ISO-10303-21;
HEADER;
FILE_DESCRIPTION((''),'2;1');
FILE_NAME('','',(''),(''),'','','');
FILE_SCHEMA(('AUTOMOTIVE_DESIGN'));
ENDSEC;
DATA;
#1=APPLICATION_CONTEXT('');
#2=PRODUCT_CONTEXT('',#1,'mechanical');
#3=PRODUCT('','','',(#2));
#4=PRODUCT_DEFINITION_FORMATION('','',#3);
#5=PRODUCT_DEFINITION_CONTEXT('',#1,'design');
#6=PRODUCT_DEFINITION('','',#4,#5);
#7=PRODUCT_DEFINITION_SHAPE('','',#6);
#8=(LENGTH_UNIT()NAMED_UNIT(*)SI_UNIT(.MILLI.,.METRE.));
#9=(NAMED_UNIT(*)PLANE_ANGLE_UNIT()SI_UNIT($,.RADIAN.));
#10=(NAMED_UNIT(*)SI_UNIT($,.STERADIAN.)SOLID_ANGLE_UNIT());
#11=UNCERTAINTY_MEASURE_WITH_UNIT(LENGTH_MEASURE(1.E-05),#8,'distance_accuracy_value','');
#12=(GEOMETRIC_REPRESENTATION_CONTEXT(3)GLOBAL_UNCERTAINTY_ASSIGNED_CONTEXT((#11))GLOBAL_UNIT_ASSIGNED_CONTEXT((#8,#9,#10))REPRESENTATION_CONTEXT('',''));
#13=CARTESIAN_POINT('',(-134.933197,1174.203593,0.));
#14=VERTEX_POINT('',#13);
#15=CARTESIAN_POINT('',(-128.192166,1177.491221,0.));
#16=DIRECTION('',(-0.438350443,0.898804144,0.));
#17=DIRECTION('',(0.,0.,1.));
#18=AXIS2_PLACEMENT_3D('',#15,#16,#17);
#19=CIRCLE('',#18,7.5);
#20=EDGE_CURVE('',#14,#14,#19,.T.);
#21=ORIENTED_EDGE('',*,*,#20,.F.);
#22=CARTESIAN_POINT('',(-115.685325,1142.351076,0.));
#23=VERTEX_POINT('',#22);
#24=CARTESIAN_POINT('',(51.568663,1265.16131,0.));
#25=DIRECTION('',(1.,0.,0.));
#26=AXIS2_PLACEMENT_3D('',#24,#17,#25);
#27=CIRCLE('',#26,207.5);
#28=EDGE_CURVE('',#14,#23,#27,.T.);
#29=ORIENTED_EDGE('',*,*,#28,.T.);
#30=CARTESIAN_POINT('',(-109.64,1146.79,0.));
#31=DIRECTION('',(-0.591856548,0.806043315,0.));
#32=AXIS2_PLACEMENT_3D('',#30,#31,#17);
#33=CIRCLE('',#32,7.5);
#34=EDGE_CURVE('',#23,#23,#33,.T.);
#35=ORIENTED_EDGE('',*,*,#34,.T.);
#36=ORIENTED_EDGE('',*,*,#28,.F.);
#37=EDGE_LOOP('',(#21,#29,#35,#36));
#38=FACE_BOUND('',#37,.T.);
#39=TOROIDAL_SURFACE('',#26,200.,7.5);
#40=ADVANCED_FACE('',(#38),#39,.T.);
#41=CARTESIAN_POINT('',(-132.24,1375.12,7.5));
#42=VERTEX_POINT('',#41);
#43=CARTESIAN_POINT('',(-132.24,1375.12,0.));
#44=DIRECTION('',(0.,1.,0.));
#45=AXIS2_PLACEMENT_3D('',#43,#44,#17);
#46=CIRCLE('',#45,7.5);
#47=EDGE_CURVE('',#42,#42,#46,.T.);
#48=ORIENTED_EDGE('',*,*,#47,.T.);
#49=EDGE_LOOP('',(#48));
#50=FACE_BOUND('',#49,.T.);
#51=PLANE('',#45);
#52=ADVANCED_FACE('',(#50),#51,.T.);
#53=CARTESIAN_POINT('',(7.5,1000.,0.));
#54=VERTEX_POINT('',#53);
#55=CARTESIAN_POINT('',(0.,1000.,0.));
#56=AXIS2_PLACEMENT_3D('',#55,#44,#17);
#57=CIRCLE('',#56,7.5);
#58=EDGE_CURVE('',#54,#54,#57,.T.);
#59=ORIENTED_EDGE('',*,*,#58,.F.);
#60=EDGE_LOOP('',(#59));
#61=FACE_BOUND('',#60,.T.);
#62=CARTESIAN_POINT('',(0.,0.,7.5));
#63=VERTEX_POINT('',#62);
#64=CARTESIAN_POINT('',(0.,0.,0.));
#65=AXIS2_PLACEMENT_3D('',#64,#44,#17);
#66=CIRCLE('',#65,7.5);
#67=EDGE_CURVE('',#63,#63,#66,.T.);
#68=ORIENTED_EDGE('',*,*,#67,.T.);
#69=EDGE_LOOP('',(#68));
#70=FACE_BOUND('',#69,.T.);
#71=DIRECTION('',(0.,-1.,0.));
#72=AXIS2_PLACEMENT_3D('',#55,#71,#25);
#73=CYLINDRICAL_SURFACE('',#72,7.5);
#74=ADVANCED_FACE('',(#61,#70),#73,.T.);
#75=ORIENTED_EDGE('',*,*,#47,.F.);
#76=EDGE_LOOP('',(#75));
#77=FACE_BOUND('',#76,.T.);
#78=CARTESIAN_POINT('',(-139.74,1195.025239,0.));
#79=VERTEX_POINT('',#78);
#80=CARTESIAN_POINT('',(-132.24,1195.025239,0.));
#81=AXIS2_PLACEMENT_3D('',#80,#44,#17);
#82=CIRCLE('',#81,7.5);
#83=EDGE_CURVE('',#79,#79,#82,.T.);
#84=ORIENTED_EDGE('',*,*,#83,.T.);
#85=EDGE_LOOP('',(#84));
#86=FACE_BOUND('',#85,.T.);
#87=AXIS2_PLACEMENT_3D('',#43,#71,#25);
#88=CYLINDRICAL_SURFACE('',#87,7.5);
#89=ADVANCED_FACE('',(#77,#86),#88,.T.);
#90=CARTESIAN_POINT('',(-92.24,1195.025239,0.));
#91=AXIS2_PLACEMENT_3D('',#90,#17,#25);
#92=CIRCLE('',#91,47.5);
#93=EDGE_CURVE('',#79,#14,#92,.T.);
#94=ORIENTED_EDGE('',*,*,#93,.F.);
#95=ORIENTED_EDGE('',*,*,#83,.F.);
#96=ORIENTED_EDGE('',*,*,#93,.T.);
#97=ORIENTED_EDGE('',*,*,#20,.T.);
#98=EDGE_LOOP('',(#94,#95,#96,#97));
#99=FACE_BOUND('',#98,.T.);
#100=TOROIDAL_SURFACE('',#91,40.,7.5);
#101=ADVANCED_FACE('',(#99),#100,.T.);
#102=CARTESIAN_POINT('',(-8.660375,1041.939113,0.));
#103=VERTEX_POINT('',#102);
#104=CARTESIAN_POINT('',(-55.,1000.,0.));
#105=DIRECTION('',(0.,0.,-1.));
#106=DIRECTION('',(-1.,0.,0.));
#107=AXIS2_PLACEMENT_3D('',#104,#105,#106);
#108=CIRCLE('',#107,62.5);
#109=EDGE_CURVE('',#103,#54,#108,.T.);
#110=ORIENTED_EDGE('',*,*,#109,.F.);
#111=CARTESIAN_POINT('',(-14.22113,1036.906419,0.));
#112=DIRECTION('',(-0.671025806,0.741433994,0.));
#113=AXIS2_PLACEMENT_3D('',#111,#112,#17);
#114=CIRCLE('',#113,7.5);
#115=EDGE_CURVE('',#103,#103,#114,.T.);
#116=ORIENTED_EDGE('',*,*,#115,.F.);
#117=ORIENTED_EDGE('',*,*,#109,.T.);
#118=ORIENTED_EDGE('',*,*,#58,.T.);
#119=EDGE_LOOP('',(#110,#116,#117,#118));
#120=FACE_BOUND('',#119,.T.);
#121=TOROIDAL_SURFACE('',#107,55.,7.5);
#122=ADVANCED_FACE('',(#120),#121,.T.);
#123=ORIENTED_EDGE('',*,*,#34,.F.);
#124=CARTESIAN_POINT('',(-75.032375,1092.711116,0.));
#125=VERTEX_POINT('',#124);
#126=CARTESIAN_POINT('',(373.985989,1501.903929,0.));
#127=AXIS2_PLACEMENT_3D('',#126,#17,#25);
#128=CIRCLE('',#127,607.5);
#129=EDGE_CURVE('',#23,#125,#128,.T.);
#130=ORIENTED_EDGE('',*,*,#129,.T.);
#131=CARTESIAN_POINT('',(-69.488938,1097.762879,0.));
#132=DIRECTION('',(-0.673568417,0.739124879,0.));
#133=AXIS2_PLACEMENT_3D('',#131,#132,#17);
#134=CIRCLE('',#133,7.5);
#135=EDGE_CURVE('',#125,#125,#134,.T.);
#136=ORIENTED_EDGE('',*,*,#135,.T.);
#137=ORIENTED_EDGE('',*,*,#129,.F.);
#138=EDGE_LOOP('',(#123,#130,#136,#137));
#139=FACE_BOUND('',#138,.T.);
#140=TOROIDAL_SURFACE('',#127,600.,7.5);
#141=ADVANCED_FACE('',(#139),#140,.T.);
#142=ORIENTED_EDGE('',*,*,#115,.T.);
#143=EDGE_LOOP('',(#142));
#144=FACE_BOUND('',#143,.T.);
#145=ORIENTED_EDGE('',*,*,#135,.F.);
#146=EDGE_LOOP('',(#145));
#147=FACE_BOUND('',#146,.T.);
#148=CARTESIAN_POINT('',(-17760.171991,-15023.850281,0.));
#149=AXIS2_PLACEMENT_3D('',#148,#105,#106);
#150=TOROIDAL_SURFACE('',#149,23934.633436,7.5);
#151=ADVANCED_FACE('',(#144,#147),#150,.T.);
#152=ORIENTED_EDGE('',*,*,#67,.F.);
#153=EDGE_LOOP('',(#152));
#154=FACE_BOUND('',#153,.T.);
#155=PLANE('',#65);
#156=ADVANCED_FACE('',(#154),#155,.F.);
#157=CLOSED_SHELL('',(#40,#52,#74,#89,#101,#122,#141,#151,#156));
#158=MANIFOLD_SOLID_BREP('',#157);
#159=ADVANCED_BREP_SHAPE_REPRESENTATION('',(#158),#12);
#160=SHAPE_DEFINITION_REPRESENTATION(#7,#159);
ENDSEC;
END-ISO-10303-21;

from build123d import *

# Parameters (mm, degrees)
SKETCH_2_R = 7.5


with BuildPart() as part:
    # 扫描1: sweep along a path in 草图1
    with BuildLine(Plane.XY) as sweep_1_path:
        Line((-132.24, 1375.12), (-132.24, 1195.025238859))
        ThreePointArc((-132.24, 1195.025238859), (-131.214906225, 1186.027645585), (-128.192165763, 1177.491221153))
        ThreePointArc((-128.192165763, 1177.491221153), (-119.60577967, 1161.723839886), (-109.64, 1146.79))
        ThreePointArc((-109.64, 1146.79), (-90.212182039, 1121.745991014), (-69.488938494, 1097.76287875))
        ThreePointArc((-69.488938494, 1097.76287875), (-41.828906751, 1067.358377322), (-14.221130337, 1036.906419346))
        ThreePointArc((-14.221130337, 1036.906419346), (-3.678280273, 1019.775770131), (0, 1000))
        Line((0, 1000), (0, 0))
    # 草图2 → 扫描1 (sweep)
    with BuildSketch(Plane(origin=(0, 0, 0), x_dir=(1, 0, 0), z_dir=(0, 1, 0))):
        Circle(SKETCH_2_R)
    sweep(path=sweep_1_path.line)


solid = part.part
